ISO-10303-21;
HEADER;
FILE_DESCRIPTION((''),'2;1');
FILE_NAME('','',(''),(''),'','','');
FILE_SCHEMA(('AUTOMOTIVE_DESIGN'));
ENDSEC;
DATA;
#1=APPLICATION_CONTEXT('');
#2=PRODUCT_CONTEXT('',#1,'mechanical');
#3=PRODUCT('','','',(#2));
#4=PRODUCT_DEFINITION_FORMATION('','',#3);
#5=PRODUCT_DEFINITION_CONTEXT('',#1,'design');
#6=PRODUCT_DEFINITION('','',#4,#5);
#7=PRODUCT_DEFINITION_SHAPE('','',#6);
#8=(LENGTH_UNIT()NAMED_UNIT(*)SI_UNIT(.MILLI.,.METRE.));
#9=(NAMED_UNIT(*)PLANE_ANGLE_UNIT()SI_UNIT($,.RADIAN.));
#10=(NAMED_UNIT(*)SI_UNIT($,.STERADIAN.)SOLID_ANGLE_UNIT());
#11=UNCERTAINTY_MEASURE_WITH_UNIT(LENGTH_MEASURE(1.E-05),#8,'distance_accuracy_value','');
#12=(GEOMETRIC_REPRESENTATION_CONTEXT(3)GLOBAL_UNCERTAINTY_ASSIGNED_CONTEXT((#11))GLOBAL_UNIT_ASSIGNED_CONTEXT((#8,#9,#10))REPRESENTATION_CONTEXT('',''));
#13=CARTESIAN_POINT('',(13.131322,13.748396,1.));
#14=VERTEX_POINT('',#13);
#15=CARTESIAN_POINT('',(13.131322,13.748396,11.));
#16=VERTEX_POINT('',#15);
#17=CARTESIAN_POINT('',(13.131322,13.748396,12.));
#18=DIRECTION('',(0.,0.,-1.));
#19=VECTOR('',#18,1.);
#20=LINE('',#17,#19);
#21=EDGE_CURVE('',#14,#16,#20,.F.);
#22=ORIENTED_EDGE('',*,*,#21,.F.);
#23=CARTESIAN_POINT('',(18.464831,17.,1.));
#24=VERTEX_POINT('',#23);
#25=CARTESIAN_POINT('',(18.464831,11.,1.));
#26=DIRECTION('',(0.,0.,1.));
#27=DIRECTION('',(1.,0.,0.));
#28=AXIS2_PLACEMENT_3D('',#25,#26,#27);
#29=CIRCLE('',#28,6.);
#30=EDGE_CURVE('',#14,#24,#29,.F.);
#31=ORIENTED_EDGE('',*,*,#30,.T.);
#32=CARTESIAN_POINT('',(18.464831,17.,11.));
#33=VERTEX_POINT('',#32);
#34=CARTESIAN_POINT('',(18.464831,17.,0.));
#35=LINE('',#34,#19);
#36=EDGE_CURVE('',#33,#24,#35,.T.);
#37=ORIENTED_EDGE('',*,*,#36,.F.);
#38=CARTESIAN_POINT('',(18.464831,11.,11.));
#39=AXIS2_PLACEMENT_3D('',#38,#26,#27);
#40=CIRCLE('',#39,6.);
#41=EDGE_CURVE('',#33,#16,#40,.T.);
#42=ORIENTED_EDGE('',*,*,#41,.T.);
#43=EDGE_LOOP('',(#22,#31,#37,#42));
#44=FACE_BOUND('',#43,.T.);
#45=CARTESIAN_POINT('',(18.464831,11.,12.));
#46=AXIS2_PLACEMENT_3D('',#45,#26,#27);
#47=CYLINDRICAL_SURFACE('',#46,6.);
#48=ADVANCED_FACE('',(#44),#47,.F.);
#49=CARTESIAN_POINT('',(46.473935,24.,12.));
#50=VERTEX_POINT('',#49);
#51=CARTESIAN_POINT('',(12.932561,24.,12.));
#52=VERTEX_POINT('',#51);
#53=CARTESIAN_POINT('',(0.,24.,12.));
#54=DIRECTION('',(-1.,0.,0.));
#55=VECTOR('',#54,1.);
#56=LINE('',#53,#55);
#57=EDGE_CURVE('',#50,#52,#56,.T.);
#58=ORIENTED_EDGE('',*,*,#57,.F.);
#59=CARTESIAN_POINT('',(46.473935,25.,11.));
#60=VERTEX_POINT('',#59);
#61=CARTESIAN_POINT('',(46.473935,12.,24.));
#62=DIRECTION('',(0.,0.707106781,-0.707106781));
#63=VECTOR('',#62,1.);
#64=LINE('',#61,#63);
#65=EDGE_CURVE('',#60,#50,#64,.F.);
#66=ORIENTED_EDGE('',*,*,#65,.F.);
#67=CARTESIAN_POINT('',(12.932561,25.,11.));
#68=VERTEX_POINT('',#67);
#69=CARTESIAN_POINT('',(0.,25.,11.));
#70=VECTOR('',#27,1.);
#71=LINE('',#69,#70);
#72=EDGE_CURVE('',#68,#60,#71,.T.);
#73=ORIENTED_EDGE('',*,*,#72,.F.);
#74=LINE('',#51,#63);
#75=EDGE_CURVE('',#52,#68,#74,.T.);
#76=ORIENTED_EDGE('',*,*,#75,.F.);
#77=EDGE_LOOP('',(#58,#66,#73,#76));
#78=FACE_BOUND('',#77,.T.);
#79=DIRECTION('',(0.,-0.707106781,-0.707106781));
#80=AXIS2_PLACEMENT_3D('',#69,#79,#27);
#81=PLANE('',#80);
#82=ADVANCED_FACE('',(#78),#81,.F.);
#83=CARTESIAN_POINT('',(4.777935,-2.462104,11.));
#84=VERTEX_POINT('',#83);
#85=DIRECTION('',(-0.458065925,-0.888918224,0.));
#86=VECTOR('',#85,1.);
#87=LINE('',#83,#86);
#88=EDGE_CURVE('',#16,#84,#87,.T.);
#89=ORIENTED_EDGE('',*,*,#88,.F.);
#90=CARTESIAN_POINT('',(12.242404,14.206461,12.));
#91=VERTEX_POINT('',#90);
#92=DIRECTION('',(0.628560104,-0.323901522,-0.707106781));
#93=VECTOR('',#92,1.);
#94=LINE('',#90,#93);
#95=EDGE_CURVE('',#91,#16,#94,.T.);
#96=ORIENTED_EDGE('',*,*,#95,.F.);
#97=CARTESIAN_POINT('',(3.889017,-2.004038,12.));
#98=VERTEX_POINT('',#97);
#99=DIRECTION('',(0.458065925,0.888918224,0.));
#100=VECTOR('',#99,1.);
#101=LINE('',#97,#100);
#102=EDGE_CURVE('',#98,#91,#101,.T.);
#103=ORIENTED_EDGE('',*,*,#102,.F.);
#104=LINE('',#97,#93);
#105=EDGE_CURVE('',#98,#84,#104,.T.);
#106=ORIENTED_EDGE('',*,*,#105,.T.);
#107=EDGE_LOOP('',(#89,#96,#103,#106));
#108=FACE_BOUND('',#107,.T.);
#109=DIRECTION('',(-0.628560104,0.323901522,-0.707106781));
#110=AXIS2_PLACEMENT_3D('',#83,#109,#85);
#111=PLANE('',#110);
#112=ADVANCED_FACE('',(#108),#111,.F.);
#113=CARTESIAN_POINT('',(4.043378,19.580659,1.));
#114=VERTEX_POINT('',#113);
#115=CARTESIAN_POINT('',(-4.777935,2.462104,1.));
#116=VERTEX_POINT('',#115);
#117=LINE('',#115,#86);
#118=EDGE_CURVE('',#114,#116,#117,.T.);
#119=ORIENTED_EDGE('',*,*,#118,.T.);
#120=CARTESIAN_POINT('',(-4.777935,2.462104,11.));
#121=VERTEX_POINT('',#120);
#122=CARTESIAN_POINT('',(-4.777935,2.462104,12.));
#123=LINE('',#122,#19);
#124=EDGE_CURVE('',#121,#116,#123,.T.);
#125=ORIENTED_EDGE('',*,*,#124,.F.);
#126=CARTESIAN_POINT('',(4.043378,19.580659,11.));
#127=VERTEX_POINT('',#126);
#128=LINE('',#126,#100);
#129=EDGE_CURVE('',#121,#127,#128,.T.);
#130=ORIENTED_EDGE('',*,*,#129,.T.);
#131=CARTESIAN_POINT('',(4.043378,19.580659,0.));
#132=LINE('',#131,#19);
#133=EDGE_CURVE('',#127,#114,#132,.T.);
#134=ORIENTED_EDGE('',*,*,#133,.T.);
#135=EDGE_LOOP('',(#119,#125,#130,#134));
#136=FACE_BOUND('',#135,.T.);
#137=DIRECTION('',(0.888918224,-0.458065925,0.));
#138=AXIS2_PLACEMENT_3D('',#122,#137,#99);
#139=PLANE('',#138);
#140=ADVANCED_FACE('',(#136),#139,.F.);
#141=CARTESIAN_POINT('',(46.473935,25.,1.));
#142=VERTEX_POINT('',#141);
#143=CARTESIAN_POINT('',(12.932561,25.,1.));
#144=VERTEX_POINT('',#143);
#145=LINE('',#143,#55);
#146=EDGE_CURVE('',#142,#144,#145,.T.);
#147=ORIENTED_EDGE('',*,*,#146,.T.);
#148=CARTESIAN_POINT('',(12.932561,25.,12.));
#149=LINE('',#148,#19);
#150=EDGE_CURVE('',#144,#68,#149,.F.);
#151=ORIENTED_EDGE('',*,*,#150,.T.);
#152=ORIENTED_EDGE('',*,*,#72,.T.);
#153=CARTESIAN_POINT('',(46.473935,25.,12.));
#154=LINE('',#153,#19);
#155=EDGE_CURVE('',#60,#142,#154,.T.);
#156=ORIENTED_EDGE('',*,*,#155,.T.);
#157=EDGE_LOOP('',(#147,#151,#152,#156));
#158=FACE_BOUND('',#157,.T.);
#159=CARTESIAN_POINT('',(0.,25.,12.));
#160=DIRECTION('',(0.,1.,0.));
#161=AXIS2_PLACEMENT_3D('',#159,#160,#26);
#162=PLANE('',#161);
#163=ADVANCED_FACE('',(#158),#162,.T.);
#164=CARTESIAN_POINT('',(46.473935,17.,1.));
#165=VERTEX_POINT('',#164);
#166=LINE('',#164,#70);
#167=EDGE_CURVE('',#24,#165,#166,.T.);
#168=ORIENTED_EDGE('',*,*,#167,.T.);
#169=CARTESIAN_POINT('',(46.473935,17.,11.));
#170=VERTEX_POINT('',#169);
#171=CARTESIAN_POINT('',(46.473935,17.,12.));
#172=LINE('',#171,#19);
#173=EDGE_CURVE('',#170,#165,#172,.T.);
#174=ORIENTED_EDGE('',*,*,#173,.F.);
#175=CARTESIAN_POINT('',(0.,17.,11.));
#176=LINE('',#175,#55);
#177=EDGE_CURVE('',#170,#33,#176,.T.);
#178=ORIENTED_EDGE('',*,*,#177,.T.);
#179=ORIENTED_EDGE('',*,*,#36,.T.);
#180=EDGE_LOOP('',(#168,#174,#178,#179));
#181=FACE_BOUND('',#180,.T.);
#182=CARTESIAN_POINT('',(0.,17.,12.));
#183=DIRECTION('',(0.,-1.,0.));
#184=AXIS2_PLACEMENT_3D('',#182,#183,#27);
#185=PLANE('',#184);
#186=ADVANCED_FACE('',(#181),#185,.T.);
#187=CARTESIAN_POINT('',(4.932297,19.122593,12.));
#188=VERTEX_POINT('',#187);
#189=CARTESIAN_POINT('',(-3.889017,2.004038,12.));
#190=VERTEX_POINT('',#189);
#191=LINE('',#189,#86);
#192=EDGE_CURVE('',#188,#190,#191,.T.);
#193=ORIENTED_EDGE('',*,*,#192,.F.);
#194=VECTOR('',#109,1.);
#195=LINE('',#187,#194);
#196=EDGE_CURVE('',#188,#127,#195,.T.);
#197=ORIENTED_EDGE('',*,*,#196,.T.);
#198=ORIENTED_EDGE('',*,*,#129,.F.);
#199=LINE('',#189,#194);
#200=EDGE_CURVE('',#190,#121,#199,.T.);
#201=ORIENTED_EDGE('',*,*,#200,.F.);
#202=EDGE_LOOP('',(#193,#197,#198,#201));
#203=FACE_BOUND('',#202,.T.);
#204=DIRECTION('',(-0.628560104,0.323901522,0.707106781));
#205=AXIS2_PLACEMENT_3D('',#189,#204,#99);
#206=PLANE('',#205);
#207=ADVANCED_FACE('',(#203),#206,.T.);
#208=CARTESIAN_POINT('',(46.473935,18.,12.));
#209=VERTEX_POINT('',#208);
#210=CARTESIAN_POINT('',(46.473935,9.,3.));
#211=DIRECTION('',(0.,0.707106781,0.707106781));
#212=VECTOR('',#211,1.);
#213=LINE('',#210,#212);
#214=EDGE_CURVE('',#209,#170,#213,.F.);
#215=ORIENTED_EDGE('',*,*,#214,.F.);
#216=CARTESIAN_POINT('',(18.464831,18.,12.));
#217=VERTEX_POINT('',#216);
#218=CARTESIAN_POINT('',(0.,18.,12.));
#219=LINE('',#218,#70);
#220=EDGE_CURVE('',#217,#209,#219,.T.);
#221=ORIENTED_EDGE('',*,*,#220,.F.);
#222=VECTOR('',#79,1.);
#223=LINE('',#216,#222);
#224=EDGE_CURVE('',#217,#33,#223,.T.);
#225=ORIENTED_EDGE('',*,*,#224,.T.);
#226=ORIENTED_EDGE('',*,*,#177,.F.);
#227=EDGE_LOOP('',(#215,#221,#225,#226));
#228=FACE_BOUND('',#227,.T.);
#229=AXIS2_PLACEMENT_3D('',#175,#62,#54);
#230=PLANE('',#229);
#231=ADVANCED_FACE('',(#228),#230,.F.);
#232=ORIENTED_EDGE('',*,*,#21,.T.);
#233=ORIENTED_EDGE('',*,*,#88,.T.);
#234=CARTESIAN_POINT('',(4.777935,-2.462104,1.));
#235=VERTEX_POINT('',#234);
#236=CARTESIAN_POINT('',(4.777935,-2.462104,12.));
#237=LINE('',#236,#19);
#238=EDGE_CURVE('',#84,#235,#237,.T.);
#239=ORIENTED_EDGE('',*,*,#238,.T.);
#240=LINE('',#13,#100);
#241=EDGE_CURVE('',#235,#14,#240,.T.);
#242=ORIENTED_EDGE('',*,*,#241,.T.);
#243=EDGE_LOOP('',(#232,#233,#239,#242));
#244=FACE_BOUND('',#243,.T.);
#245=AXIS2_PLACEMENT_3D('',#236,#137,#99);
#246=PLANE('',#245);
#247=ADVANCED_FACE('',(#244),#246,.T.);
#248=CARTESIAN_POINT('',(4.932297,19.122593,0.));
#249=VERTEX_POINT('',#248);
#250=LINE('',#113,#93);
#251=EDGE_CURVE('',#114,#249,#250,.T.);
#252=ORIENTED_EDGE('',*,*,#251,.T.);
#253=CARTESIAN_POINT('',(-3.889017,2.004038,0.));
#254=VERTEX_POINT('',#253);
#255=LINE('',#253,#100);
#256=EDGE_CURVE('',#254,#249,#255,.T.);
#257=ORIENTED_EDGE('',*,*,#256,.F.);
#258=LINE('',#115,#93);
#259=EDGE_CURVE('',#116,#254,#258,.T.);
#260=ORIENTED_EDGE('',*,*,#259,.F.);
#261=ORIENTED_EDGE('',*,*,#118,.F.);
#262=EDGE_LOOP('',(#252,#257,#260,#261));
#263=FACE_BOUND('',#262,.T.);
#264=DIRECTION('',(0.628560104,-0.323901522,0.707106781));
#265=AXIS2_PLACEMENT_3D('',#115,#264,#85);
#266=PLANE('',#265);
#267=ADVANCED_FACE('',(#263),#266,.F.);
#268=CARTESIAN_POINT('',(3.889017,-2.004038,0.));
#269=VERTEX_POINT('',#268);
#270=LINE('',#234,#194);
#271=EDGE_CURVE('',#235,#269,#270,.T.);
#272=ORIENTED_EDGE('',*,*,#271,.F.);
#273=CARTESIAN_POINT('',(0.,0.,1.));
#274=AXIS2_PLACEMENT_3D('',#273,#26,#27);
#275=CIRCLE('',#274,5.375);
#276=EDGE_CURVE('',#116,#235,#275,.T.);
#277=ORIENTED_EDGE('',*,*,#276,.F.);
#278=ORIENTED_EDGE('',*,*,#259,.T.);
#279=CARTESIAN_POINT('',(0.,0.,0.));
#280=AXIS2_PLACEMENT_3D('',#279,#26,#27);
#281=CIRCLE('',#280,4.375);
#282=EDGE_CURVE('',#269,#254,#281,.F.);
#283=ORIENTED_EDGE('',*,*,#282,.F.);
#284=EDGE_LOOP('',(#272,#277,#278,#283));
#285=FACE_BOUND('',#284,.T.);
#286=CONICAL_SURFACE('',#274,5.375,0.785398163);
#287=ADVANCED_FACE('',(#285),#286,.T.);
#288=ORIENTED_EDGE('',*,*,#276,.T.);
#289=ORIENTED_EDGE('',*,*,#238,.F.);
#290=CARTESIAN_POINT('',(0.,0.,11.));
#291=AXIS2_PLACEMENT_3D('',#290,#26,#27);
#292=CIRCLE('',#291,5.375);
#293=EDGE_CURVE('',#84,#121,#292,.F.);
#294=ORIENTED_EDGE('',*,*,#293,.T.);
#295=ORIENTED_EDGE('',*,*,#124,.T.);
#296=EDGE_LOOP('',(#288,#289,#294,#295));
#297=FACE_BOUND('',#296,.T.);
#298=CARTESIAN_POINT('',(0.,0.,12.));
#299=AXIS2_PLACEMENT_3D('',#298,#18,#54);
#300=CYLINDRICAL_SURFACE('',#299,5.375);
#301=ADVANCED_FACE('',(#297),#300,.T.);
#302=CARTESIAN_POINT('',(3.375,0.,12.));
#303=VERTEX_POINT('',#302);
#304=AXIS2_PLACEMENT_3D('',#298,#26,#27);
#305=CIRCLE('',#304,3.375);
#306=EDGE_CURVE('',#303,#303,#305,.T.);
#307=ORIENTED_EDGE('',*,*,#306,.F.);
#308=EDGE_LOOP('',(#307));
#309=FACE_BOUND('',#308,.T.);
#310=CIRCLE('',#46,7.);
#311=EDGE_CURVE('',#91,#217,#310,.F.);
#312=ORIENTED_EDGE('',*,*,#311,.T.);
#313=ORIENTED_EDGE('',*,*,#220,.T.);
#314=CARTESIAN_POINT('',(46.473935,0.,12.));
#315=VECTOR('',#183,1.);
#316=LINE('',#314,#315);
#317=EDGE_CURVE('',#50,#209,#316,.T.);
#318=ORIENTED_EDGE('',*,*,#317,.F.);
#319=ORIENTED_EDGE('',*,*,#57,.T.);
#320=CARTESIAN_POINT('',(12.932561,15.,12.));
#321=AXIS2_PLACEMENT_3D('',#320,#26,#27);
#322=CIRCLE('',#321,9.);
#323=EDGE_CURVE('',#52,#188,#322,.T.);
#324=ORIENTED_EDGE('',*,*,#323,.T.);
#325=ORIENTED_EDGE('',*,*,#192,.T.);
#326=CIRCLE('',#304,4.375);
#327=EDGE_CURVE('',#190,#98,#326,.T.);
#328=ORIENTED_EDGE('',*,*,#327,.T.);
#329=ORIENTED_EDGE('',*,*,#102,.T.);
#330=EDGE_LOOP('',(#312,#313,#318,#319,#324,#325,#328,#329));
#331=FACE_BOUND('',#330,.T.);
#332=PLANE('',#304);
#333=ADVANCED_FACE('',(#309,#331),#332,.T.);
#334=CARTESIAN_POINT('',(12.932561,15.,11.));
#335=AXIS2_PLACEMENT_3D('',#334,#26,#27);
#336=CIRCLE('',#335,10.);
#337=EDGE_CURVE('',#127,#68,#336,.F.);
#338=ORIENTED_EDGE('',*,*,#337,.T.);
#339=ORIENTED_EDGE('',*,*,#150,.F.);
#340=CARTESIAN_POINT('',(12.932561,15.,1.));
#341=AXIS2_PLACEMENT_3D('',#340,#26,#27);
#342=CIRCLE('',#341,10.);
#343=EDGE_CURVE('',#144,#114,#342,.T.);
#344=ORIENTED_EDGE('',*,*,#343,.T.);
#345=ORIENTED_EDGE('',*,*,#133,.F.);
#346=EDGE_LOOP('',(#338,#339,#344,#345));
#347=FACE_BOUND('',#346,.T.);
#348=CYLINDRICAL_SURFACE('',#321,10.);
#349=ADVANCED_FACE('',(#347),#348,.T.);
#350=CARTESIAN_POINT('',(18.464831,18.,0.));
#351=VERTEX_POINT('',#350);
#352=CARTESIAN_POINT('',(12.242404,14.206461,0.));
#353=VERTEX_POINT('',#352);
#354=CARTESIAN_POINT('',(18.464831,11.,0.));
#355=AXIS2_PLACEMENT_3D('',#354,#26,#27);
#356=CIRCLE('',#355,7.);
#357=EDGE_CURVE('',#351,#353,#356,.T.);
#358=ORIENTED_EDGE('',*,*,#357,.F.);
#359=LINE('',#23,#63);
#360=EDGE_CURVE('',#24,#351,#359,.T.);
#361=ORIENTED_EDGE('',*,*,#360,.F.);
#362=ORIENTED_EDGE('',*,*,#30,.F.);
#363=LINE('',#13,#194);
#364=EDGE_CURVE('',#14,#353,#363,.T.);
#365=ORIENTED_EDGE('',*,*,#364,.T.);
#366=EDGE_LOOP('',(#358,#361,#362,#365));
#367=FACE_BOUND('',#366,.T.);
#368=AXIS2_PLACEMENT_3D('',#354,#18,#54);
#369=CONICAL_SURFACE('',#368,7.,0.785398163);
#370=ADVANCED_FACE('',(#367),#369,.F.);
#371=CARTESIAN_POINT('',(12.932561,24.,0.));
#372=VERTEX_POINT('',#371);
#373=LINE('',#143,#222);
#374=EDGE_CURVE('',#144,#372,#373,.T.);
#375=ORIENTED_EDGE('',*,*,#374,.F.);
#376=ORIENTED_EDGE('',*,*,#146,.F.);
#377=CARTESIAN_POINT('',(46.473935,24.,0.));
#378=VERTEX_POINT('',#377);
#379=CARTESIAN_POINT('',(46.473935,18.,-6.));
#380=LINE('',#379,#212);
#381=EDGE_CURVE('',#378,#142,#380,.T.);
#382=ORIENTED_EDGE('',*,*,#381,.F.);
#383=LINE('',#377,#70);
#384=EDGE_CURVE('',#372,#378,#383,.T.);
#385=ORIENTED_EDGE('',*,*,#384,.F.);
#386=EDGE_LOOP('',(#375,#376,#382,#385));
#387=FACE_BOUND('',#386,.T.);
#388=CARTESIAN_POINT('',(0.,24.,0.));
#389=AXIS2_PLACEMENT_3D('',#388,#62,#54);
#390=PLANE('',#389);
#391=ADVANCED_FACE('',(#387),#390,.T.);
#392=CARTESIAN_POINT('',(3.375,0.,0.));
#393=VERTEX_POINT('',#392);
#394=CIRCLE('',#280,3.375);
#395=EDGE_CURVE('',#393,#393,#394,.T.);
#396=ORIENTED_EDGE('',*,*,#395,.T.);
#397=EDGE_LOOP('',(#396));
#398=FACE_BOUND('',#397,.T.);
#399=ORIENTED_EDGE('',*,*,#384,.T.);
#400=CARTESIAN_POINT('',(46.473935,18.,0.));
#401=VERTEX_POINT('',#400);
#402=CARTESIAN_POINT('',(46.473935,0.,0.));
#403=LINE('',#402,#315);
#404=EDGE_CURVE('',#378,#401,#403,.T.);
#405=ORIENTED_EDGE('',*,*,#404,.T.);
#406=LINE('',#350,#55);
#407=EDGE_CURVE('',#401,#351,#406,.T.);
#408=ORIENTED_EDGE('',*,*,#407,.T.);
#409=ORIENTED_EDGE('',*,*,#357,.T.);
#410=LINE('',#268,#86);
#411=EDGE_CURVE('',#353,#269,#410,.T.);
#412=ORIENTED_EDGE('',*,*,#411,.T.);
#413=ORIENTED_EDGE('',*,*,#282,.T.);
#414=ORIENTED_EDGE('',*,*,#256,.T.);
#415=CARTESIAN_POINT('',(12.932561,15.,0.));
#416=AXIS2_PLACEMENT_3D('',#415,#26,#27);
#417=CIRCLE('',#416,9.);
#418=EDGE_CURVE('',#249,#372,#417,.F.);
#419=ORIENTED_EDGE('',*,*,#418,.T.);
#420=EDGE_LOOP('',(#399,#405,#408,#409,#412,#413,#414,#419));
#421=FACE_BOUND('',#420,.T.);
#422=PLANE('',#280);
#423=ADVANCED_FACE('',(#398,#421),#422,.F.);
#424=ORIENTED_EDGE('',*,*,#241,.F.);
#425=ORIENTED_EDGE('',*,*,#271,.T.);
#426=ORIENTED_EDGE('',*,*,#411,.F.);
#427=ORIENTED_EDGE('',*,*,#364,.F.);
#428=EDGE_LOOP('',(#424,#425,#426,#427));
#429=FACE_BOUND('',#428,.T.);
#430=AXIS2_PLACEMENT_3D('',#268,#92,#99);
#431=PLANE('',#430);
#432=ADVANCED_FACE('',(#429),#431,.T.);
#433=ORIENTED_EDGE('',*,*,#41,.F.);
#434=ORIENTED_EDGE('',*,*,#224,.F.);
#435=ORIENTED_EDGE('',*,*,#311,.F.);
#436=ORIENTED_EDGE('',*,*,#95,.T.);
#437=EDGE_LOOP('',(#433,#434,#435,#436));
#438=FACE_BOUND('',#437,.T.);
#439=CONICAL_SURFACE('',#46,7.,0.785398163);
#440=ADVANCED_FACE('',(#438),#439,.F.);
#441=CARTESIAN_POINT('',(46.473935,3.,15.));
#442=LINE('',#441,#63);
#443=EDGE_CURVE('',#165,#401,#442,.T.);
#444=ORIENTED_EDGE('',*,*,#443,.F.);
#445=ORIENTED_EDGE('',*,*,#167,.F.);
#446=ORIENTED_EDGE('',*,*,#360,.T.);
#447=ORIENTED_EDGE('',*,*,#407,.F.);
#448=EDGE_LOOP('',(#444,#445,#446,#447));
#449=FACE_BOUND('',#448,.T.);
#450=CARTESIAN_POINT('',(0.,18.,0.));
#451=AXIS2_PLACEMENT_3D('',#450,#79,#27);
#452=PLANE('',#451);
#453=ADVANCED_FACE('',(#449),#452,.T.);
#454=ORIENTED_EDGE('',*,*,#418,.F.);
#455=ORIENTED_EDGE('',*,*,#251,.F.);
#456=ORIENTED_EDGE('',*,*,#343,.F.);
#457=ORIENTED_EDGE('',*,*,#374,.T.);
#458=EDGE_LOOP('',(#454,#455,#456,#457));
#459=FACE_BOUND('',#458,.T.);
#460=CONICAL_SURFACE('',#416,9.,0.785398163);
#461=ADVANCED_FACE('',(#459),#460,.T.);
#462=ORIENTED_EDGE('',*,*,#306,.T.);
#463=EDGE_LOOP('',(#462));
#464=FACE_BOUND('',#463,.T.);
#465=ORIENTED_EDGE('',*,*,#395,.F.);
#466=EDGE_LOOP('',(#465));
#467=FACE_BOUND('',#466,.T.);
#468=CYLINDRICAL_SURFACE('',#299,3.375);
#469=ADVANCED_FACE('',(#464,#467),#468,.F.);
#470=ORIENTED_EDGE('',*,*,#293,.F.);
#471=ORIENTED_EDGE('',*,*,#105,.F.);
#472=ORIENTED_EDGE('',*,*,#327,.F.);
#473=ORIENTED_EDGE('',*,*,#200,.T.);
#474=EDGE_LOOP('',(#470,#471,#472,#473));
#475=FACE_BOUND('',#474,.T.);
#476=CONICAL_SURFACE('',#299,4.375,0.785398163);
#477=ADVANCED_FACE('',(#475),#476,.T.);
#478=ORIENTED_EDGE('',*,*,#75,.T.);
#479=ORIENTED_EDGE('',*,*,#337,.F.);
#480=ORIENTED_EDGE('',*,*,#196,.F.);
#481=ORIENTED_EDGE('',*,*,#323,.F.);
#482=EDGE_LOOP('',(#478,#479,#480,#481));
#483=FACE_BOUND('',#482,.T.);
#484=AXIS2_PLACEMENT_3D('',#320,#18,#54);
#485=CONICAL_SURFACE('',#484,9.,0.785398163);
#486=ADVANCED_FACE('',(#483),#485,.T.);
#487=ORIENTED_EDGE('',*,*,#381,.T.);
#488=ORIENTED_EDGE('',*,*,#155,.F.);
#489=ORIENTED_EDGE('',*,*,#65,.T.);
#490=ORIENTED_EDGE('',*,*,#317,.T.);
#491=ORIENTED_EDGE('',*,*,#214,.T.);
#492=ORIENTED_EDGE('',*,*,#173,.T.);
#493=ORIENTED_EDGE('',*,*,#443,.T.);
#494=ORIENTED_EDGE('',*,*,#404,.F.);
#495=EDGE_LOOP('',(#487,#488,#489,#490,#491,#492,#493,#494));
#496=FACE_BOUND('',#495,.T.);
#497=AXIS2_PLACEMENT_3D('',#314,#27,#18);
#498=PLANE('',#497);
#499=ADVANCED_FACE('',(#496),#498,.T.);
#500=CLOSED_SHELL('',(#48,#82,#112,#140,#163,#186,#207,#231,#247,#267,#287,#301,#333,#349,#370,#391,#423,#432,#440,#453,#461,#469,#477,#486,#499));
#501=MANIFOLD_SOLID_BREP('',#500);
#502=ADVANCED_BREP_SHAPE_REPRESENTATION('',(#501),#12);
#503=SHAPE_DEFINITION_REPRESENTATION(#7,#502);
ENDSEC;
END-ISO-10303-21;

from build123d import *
from OCP.BRepFilletAPI import BRepFilletAPI_MakeFillet

# Parameters (mm, degrees)
SKETCH1_R           = 3.375
BOSS_EXTRUDE1_DEPTH = 12
FILLET1_R1          = 10
FILLET1_R2          = 6
CHAMFER1_SIZE       = 1


with BuildPart() as part:
    # Sketch1 → Boss-Extrude1 (new body)
    with BuildSketch(Plane.XY):
        with BuildLine():
            Line((6.836003543, 25), (-4.777935452, 2.462104347))
            ThreePointArc((-4.777935452, 2.462104347), (-2.462104347, -4.777935452), (4.777935452, -2.462104347))
            Line((4.777935452, -2.462104347), (14.806897165, 17))
            Line((14.806897165, 17), (46.473934517, 17))
            Line((46.473934517, 17), (46.473934517, 25))
            Line((46.473934517, 25), (6.836003543, 25))
        make_face()
        Circle(SKETCH1_R, mode=Mode.SUBTRACT)
    extrude(amount=BOSS_EXTRUDE1_DEPTH)

    # Fillet1: one fillet with a radius per group of edges: ONE call of the kernel's fillet builder (fillet() takes one radius for all edges)
    fillet1_edges_1 = [part.edges().sort_by_distance(p)[0] for p in [
        (6.836003543, 25, 6),
    ]]
    fillet1_edges_2 = [part.edges().sort_by_distance(p)[0] for p in [
        (14.806897165, 17, 6),
    ]]
    fillet1 = BRepFilletAPI_MakeFillet(part.part.solid().wrapped)
    for e in fillet1_edges_1:
        fillet1.Add(FILLET1_R1, e.wrapped)
    for e in fillet1_edges_2:
        fillet1.Add(FILLET1_R2, e.wrapped)
    add(Compound.cast(fillet1.Shape()), mode=Mode.REPLACE)

    # Chamfer1
    chamfer1_edges = [part.edges().sort_by_distance(p)[0] for p in [
        (32.469382985, 17, 0),
        (15.341561797, 16.123005627, 0),
        (8.954628782, 5.643145602, 0),
        (-2.462104347, -4.777935452, 0),
        (-0.367278499, 11.021381799, 0),
        (7.727111262, 23.538342711, 0),
        (29.703247603, 25, 0),
        (32.469382985, 17, 12),
        (15.341561797, 16.123005627, 12),
        (8.954628782, 5.643145602, 12),
        (-2.462104347, -4.777935452, 12),
        (-0.367278499, 11.021381799, 12),
        (7.727111262, 23.538342711, 12),
        (29.703247603, 25, 12),
    ]]
    chamfer(chamfer1_edges, length=CHAMFER1_SIZE)


solid = part.part
